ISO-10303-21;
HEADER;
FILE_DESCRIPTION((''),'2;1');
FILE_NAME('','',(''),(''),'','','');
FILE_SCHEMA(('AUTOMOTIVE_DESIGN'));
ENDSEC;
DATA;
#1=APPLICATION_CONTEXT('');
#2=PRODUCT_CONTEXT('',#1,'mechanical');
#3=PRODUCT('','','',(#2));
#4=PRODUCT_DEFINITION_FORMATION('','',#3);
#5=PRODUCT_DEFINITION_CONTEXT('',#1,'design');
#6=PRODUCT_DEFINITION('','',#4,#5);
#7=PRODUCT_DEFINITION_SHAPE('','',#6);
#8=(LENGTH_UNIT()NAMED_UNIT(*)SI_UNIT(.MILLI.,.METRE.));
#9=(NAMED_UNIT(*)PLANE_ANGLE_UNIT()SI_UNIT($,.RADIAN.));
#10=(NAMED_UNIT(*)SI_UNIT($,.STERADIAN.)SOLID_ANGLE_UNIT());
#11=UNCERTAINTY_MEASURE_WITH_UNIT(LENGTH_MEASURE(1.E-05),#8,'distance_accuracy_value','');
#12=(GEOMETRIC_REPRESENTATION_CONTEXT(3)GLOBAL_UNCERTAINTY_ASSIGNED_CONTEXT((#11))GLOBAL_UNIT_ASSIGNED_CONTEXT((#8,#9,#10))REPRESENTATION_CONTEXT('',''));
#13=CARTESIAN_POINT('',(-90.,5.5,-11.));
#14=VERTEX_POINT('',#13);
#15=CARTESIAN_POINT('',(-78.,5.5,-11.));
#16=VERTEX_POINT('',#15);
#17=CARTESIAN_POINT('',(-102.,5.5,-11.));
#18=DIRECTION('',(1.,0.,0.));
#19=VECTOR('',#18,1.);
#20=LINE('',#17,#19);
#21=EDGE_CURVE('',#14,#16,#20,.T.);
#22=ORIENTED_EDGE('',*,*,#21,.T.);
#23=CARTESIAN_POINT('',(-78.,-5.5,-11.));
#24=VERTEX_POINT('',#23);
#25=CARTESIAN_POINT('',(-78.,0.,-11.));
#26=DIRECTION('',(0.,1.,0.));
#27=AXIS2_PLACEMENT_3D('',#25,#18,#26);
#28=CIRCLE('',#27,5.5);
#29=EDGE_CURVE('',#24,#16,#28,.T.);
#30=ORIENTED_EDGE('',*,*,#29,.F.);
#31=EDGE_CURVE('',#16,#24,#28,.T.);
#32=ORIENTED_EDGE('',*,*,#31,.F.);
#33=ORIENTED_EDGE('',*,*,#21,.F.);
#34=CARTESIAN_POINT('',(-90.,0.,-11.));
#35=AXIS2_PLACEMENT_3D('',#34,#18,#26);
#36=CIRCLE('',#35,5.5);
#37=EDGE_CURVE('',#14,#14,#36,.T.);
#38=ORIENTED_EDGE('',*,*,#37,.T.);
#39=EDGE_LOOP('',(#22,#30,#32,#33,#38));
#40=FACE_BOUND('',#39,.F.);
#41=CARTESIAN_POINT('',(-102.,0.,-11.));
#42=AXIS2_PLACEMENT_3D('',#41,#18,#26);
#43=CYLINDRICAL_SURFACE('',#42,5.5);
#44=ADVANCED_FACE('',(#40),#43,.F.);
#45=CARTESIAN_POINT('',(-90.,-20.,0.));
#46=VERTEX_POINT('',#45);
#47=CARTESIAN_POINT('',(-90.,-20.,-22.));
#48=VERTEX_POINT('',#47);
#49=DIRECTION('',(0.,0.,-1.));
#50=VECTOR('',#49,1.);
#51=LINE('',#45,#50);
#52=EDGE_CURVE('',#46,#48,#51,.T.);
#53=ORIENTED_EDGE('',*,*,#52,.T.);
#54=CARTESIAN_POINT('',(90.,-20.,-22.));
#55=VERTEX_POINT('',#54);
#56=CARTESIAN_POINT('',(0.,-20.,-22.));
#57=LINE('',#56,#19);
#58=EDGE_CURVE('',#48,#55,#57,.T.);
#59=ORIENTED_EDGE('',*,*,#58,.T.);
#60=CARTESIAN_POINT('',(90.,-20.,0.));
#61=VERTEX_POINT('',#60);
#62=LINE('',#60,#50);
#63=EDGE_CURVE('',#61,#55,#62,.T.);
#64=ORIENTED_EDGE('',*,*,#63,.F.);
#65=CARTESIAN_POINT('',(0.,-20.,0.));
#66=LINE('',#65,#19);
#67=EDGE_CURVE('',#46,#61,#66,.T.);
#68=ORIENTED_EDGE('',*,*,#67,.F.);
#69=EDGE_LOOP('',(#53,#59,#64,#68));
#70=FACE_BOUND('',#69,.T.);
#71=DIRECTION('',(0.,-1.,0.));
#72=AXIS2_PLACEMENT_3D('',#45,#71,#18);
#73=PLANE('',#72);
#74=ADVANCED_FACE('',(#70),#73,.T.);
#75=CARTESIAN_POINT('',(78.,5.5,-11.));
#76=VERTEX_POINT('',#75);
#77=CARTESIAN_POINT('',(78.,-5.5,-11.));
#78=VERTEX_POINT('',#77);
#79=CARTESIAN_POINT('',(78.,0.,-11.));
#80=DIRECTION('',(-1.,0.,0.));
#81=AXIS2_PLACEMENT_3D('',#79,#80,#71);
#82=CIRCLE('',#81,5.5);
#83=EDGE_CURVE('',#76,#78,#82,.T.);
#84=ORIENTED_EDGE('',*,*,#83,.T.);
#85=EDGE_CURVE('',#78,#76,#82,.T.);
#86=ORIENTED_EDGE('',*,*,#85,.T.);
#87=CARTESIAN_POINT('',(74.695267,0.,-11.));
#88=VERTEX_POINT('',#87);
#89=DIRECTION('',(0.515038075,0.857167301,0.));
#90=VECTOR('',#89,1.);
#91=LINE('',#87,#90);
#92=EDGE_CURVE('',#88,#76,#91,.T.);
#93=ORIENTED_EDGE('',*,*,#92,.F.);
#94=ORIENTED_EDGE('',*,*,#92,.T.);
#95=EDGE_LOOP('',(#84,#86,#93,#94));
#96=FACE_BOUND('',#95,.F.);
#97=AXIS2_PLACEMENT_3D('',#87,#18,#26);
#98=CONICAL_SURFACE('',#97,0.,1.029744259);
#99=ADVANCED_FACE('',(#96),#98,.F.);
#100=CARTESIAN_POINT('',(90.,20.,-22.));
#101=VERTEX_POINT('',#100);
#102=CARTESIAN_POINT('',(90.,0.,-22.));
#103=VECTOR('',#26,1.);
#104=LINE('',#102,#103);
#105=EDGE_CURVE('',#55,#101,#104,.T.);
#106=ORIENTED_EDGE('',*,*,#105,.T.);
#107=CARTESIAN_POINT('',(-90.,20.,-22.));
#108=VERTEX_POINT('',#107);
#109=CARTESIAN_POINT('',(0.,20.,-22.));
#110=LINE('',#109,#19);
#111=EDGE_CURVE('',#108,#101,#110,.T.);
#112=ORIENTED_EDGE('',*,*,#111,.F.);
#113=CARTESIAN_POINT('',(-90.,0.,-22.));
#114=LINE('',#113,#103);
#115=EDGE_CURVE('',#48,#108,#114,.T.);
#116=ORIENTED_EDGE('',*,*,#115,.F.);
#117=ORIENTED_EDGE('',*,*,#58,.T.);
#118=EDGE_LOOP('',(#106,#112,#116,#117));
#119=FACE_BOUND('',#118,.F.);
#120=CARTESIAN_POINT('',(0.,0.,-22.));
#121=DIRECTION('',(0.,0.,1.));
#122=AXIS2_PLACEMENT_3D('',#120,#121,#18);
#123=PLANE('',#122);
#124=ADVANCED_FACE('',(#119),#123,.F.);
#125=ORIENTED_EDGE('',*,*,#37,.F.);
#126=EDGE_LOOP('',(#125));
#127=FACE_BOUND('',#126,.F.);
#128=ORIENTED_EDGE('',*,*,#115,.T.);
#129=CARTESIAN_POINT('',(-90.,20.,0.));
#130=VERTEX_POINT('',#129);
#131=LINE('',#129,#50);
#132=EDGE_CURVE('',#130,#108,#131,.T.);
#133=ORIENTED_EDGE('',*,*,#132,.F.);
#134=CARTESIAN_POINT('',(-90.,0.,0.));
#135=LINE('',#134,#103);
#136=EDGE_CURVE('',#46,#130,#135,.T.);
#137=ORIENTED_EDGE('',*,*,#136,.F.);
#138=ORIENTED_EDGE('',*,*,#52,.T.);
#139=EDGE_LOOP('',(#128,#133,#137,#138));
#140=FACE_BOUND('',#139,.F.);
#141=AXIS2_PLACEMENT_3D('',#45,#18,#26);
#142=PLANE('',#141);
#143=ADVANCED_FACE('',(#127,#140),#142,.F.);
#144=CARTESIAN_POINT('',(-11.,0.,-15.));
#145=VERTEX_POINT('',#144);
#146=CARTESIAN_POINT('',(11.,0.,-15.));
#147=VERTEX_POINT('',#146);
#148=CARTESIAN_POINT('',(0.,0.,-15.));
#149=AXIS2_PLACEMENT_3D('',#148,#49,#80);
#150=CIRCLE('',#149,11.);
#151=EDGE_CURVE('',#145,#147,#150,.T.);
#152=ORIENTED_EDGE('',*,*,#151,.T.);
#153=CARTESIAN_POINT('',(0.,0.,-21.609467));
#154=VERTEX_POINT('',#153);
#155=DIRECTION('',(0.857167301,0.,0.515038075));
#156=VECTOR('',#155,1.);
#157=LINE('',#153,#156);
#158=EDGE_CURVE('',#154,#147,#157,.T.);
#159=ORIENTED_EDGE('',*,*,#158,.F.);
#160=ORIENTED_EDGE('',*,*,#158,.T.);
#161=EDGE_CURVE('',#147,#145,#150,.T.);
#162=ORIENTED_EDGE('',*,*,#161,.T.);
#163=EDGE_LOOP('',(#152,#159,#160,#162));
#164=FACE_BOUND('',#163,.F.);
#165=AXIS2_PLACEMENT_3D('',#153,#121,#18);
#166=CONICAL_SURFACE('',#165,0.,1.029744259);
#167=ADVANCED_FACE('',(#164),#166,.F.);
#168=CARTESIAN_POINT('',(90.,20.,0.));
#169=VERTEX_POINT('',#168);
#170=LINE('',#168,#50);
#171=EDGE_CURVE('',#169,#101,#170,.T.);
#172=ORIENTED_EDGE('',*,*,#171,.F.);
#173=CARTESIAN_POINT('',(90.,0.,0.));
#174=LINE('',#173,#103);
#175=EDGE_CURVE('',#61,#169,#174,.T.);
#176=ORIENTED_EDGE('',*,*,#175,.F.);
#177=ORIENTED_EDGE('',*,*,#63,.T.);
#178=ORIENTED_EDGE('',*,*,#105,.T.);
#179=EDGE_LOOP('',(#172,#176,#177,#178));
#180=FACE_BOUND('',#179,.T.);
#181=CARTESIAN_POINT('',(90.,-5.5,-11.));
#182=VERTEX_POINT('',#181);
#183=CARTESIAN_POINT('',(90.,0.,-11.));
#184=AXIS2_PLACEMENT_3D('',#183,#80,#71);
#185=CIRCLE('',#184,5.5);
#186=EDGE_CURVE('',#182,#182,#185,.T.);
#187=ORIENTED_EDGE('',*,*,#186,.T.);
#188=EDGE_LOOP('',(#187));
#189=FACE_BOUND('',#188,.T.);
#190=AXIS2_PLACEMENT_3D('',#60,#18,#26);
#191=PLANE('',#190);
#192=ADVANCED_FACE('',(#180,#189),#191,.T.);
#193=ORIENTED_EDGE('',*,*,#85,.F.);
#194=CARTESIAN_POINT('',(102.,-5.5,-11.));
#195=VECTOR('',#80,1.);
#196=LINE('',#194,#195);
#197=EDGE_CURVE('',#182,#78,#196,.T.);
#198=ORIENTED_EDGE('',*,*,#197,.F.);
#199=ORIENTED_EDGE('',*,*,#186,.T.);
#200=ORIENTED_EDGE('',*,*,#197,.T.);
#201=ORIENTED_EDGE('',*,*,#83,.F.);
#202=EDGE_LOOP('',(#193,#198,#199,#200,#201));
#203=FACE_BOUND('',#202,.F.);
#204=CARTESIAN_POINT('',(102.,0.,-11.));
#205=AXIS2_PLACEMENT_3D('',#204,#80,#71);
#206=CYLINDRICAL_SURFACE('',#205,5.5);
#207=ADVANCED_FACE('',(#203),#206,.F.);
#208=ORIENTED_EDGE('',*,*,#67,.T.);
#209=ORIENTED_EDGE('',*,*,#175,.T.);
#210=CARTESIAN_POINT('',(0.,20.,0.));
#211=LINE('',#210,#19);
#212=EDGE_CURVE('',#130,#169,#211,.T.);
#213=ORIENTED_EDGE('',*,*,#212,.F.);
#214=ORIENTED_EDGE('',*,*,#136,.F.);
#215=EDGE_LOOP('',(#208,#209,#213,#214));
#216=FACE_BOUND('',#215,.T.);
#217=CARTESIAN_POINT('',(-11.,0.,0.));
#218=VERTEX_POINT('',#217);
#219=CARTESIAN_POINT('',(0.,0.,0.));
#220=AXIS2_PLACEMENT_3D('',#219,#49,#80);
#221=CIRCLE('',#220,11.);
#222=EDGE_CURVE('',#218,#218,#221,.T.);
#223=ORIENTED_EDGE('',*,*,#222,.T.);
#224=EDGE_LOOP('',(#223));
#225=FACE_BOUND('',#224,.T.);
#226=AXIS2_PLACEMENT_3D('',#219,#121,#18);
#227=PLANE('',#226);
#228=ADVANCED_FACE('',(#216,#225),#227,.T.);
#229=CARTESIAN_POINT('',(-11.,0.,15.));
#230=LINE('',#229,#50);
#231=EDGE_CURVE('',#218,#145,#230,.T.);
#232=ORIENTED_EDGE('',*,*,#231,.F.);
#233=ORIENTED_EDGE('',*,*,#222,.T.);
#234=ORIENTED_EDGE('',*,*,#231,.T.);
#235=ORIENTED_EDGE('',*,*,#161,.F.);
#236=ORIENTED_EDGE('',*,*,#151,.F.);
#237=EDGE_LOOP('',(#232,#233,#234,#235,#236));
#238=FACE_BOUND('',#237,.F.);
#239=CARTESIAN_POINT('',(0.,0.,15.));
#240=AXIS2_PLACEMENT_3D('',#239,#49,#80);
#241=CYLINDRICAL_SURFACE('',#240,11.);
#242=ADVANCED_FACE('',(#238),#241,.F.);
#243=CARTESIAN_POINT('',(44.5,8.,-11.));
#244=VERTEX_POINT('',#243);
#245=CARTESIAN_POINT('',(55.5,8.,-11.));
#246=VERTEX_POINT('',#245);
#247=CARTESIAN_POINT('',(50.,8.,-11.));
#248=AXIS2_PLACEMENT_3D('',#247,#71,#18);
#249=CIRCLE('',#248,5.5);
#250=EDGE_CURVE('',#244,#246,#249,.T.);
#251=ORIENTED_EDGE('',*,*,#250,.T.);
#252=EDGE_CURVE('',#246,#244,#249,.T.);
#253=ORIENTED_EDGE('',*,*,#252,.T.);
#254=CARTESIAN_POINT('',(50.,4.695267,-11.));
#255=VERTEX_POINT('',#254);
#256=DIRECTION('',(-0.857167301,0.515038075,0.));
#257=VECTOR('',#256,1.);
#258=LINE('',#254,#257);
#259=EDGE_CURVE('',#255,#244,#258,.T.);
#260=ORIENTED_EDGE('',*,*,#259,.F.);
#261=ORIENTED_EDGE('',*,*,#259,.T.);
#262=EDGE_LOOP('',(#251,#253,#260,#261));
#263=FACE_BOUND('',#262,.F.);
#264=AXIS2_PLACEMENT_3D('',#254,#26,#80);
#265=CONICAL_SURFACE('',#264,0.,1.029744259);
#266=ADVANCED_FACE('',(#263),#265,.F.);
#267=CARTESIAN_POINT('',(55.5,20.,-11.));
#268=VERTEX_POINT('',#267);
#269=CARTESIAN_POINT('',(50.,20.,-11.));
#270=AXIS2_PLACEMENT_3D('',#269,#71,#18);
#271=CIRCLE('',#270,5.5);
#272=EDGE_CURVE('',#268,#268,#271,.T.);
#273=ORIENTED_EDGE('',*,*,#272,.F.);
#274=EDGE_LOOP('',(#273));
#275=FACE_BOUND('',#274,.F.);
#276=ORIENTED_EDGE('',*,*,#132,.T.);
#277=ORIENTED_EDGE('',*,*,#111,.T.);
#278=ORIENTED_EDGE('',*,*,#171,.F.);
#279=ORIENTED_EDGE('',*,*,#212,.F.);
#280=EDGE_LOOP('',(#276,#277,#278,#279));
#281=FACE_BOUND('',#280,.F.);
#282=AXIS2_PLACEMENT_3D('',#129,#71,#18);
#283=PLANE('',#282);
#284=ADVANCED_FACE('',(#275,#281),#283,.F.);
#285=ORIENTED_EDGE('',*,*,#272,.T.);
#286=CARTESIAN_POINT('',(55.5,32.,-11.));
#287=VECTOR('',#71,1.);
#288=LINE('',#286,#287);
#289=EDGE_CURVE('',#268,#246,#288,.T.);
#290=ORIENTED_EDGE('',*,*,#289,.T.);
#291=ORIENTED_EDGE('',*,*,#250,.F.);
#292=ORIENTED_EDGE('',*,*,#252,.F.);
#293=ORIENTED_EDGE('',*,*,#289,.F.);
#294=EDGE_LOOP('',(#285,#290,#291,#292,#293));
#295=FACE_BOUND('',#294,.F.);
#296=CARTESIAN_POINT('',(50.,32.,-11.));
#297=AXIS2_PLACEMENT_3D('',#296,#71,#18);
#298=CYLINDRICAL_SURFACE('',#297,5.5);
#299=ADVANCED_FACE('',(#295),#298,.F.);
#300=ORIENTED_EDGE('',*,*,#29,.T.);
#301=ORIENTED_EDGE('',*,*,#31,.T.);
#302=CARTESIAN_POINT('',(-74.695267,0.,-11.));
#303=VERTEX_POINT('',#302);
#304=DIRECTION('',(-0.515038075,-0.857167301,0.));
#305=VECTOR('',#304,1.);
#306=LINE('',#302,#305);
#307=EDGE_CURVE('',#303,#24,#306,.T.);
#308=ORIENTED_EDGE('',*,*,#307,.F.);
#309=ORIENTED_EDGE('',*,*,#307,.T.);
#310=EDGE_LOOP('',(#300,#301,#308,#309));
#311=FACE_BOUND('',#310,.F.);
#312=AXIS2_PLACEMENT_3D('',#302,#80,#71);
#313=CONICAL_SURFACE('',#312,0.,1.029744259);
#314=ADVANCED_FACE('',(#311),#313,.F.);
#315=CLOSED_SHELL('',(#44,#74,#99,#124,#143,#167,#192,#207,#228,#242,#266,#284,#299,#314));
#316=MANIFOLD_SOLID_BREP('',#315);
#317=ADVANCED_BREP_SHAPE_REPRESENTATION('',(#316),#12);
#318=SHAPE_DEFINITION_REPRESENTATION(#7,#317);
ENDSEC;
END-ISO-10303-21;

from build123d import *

# Parameters (mm, degrees)
F0_W     = 180
F0_H     = 40
F1_DEPTH = 22
F3_D     = 22
F3_DEPTH = 15
F3_TIP   = 6.6094668093
F5_D     = 11
F5_DEPTH = 12
F5_TIP   = 3.3047334047
F7_D     = 11
F7_DEPTH = 12
F7_TIP   = 3.3047334047
F9_D     = 11
F9_DEPTH = 12
F9_TIP   = 3.3047334047


with BuildPart() as f1:
    # F0 (on Top) → F1 (new body)
    with BuildSketch(Plane.XY):
        Rectangle(F0_W, F0_H)
    extrude(amount=-F1_DEPTH)

    # F3
    with Locations(Plane.XY):
        with Locations((0, 0)):
            Hole(F3_D / 2, depth=F3_DEPTH)
            with Locations((0, 0, -(F3_DEPTH + F3_TIP / 2))):  # 118° drill point
                Cone(0, F3_D / 2, F3_TIP, mode=Mode.SUBTRACT)

    # F5
    with Locations(Plane(origin=(-90, 0, 0), x_dir=(0, -1, 0), z_dir=(-1, 0, 0))):
        with Locations((0, -11)):
            Hole(F5_D / 2, depth=F5_DEPTH)
            with Locations((0, 0, -(F5_DEPTH + F5_TIP / 2))):  # 118° drill point
                Cone(0, F5_D / 2, F5_TIP, mode=Mode.SUBTRACT)

    # F7
    with Locations(Plane.YZ.offset(90)):
        with Locations((0, -11)):
            Hole(F7_D / 2, depth=F7_DEPTH)
            with Locations((0, 0, -(F7_DEPTH + F7_TIP / 2))):  # 118° drill point
                Cone(0, F7_D / 2, F7_TIP, mode=Mode.SUBTRACT)

    # F9
    with Locations(Plane(origin=(0, 20, 0), x_dir=(-1, 0, 0), z_dir=(0, 1, 0))):
        with Locations((-50, -11)):
            Hole(F9_D / 2, depth=F9_DEPTH)
            with Locations((0, 0, -(F9_DEPTH + F9_TIP / 2))):  # 118° drill point
                Cone(0, F9_D / 2, F9_TIP, mode=Mode.SUBTRACT)


solid = f1.part
